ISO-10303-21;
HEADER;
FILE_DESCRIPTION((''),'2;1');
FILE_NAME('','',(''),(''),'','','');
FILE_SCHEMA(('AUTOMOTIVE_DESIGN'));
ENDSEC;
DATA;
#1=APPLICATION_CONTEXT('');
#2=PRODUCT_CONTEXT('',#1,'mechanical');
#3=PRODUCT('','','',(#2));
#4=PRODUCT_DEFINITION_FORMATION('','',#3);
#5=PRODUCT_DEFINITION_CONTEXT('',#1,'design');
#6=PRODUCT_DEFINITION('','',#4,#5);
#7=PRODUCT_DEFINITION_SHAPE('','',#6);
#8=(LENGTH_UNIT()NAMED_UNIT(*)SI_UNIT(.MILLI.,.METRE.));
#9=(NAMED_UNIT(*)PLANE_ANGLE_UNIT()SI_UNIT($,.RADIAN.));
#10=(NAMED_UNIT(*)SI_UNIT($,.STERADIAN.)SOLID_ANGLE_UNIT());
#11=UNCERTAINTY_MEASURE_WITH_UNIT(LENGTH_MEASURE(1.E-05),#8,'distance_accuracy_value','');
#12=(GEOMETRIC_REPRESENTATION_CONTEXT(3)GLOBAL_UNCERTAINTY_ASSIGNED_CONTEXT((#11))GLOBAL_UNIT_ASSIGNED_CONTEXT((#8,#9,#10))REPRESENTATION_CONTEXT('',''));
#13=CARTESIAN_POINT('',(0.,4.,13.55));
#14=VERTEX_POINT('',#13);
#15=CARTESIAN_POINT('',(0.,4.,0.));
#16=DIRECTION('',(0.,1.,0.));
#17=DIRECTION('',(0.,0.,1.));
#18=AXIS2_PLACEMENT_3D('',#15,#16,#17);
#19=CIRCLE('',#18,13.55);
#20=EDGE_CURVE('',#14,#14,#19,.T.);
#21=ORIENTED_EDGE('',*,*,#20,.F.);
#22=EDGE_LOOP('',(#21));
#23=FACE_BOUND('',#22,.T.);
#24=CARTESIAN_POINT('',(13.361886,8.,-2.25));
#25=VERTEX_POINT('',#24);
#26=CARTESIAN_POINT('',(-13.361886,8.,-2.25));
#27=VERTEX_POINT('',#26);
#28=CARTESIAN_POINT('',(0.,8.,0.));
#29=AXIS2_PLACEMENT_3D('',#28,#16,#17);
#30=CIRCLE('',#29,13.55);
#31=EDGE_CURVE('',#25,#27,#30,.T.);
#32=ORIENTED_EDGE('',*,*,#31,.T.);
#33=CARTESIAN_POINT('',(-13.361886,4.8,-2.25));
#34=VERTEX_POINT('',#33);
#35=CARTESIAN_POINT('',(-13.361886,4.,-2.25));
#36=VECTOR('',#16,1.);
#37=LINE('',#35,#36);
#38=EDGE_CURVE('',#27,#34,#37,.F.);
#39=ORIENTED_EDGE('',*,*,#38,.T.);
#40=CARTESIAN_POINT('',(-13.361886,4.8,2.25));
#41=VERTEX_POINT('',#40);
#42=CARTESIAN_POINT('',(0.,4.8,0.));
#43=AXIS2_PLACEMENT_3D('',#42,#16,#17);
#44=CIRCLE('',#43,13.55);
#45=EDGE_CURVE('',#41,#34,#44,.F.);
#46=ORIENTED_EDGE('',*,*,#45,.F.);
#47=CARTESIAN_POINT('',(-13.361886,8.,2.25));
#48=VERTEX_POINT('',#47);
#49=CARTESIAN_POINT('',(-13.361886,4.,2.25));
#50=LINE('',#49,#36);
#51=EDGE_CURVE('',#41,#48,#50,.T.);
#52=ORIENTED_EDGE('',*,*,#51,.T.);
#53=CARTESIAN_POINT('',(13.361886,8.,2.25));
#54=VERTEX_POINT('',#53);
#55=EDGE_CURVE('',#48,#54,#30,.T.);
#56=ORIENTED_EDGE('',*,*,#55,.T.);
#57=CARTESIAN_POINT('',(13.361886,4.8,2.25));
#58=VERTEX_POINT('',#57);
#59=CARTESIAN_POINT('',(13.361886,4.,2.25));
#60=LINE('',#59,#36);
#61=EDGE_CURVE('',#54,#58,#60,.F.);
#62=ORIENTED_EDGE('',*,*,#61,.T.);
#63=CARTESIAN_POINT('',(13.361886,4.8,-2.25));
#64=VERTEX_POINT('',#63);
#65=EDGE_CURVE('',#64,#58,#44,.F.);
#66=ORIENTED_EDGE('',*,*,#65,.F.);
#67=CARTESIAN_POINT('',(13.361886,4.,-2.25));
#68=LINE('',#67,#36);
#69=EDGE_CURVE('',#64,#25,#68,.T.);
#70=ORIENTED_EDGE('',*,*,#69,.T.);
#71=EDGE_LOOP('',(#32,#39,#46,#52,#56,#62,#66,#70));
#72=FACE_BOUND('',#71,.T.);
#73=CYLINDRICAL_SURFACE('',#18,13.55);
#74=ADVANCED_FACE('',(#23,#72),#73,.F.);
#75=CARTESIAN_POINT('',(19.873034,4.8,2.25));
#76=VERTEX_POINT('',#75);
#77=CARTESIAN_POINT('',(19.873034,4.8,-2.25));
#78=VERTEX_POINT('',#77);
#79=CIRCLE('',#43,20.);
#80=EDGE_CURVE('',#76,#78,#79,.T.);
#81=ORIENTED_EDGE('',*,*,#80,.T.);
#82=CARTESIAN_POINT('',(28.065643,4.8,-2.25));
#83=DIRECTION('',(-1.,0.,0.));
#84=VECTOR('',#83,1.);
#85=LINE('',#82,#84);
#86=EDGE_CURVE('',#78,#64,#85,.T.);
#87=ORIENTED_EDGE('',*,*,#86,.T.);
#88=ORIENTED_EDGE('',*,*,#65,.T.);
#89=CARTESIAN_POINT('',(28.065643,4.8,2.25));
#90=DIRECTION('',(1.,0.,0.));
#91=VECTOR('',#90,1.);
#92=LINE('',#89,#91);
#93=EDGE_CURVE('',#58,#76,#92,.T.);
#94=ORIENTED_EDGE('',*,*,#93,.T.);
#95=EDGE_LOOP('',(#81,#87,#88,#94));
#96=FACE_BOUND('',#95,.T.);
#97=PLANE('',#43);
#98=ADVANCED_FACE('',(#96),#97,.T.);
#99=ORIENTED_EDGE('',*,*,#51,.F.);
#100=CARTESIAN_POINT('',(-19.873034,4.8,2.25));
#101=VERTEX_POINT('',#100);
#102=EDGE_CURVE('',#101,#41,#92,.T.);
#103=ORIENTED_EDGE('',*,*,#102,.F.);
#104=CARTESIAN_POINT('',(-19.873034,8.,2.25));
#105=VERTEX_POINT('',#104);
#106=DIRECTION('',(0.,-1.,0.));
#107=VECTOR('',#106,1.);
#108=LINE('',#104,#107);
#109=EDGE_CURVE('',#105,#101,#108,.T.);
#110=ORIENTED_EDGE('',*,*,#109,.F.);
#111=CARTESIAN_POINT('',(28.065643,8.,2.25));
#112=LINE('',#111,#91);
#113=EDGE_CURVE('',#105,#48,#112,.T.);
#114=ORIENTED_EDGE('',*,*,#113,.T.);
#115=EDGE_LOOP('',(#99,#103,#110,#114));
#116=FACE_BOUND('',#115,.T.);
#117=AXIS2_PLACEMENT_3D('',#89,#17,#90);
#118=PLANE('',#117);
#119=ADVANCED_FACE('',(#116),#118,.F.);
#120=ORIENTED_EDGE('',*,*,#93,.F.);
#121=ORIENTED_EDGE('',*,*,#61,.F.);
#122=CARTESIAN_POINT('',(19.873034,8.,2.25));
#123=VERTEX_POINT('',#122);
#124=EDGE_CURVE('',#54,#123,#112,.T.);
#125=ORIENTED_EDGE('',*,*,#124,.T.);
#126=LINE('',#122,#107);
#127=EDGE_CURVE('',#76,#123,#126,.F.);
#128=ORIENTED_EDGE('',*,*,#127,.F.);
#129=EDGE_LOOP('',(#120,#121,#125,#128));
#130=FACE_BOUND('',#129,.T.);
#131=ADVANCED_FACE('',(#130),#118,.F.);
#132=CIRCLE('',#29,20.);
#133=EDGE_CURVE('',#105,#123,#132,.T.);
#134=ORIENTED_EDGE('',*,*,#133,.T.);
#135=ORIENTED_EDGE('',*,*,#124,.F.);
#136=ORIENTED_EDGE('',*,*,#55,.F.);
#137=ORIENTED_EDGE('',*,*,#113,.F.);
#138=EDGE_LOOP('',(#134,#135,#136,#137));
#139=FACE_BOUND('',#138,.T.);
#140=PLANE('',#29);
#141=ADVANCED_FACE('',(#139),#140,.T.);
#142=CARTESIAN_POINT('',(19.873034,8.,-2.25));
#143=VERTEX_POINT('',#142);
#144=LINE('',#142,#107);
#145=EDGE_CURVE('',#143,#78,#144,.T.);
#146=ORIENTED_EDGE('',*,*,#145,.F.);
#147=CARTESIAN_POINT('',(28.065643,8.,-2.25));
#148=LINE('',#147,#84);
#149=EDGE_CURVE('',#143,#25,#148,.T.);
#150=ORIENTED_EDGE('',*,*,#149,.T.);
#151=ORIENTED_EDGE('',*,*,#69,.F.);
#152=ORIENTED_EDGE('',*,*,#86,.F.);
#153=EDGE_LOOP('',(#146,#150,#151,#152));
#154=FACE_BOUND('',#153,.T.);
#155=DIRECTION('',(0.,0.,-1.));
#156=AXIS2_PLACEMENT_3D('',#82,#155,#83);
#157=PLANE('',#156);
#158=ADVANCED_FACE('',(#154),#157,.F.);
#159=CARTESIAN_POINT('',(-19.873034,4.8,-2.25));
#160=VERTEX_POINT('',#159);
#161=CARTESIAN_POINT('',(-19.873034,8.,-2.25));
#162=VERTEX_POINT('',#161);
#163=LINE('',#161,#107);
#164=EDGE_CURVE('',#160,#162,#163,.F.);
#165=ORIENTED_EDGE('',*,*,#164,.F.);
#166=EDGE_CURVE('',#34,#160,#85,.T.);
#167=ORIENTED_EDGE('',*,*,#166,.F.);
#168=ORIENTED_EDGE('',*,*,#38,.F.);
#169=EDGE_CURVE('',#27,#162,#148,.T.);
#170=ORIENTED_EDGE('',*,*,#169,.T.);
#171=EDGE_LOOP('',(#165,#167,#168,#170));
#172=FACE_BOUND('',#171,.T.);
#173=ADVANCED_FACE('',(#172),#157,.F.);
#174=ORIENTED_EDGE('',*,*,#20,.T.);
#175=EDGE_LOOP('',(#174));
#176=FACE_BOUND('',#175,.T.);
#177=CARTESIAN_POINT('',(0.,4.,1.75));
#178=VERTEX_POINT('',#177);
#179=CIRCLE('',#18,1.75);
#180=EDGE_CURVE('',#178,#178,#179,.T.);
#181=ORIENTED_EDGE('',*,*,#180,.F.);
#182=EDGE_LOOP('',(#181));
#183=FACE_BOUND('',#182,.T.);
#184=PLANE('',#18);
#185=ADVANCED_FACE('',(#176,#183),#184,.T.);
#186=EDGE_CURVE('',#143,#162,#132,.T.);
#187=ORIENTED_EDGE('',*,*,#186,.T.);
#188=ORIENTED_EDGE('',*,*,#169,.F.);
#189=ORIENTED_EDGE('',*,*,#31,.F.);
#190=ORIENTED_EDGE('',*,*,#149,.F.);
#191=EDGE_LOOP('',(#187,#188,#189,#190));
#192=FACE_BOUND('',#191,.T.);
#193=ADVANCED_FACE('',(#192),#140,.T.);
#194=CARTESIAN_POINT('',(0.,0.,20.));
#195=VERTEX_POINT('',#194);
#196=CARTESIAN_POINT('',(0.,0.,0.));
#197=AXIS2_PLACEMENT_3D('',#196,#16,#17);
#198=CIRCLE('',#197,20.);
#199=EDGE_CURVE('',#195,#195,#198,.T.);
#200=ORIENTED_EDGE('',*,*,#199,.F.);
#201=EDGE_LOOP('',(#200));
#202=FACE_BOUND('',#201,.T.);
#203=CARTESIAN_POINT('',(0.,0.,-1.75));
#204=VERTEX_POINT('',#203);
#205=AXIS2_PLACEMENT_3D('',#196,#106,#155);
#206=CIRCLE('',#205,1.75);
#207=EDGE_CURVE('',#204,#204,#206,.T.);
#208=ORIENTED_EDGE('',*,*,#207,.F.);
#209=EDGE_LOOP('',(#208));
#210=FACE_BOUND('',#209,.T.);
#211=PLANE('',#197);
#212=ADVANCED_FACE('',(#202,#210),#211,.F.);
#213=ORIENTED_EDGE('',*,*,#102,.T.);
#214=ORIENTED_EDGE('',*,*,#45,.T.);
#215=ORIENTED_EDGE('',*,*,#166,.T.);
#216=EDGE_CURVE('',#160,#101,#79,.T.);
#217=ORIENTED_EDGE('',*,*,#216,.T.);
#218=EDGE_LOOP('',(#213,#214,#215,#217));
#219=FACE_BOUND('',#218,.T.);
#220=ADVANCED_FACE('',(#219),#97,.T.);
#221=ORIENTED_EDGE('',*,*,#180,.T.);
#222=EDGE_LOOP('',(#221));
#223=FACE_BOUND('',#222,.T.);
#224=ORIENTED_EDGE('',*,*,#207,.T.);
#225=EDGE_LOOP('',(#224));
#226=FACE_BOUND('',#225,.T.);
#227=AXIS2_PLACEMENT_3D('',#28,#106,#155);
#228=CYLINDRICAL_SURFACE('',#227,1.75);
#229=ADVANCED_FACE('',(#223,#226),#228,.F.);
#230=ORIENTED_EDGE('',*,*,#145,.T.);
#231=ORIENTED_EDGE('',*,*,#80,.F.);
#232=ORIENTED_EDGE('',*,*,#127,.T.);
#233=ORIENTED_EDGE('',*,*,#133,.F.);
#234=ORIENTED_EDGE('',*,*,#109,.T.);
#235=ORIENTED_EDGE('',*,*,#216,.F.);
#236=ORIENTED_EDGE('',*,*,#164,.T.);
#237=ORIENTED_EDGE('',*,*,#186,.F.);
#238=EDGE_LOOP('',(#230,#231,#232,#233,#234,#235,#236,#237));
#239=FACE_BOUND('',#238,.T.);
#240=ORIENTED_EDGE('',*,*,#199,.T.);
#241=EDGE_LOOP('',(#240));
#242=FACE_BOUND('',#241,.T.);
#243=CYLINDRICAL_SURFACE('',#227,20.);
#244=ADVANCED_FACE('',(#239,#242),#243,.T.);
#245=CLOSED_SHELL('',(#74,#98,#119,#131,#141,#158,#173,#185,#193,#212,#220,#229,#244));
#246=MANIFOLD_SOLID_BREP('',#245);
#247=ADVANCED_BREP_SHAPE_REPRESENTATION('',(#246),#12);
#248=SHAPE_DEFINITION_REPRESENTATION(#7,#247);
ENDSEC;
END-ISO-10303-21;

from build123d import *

# Parameters (mm, degrees)
SCHIZZO1_R                   = 20
ESTRUSIONE_ESTRUSIONE1_DEPTH = 8
SCHIZZO2_R                   = 13.55
TAGLIO_ESTRUSIONE1_DEPTH     = 4
SCHIZZO3_W                   = 56.131286276
SCHIZZO3_H                   = 4.5
TAGLIO_ESTRUSIONE2_DEPTH     = 3.2
SCHIZZO4_R                   = 1.75
TAGLIO_ESTRUSIONE3_DEPTH     = 9


with BuildPart() as part:
    # Schizzo1 → Estrusione-Estrusione1 (new body)
    with BuildSketch(Plane(origin=(0, 0, 0), x_dir=(1, 0, 0), z_dir=(0, 1, 0))):
        Circle(SCHIZZO1_R)
    extrude(amount=ESTRUSIONE_ESTRUSIONE1_DEPTH)

    # Schizzo2 → Taglio-Estrusione1 (cut)
    with BuildSketch(Plane(origin=(0, 8, 0), x_dir=(1, 0, 0), z_dir=(0, 1, 0))):
        Circle(SCHIZZO2_R)
    extrude(amount=-TAGLIO_ESTRUSIONE1_DEPTH, mode=Mode.SUBTRACT)

    # Schizzo3 → Taglio-Estrusione2 (cut)
    with BuildSketch(Plane(origin=(0, 8, 0), x_dir=(1, 0, 0), z_dir=(0, 1, 0))):
        Rectangle(SCHIZZO3_W, SCHIZZO3_H)
    extrude(amount=-TAGLIO_ESTRUSIONE2_DEPTH, mode=Mode.SUBTRACT)

    # Schizzo4 → Taglio-Estrusione3 (cut, through all)
    with BuildSketch(Plane.XZ):
        Circle(SCHIZZO4_R)
    extrude(amount=-TAGLIO_ESTRUSIONE3_DEPTH, mode=Mode.SUBTRACT)


solid = part.part
